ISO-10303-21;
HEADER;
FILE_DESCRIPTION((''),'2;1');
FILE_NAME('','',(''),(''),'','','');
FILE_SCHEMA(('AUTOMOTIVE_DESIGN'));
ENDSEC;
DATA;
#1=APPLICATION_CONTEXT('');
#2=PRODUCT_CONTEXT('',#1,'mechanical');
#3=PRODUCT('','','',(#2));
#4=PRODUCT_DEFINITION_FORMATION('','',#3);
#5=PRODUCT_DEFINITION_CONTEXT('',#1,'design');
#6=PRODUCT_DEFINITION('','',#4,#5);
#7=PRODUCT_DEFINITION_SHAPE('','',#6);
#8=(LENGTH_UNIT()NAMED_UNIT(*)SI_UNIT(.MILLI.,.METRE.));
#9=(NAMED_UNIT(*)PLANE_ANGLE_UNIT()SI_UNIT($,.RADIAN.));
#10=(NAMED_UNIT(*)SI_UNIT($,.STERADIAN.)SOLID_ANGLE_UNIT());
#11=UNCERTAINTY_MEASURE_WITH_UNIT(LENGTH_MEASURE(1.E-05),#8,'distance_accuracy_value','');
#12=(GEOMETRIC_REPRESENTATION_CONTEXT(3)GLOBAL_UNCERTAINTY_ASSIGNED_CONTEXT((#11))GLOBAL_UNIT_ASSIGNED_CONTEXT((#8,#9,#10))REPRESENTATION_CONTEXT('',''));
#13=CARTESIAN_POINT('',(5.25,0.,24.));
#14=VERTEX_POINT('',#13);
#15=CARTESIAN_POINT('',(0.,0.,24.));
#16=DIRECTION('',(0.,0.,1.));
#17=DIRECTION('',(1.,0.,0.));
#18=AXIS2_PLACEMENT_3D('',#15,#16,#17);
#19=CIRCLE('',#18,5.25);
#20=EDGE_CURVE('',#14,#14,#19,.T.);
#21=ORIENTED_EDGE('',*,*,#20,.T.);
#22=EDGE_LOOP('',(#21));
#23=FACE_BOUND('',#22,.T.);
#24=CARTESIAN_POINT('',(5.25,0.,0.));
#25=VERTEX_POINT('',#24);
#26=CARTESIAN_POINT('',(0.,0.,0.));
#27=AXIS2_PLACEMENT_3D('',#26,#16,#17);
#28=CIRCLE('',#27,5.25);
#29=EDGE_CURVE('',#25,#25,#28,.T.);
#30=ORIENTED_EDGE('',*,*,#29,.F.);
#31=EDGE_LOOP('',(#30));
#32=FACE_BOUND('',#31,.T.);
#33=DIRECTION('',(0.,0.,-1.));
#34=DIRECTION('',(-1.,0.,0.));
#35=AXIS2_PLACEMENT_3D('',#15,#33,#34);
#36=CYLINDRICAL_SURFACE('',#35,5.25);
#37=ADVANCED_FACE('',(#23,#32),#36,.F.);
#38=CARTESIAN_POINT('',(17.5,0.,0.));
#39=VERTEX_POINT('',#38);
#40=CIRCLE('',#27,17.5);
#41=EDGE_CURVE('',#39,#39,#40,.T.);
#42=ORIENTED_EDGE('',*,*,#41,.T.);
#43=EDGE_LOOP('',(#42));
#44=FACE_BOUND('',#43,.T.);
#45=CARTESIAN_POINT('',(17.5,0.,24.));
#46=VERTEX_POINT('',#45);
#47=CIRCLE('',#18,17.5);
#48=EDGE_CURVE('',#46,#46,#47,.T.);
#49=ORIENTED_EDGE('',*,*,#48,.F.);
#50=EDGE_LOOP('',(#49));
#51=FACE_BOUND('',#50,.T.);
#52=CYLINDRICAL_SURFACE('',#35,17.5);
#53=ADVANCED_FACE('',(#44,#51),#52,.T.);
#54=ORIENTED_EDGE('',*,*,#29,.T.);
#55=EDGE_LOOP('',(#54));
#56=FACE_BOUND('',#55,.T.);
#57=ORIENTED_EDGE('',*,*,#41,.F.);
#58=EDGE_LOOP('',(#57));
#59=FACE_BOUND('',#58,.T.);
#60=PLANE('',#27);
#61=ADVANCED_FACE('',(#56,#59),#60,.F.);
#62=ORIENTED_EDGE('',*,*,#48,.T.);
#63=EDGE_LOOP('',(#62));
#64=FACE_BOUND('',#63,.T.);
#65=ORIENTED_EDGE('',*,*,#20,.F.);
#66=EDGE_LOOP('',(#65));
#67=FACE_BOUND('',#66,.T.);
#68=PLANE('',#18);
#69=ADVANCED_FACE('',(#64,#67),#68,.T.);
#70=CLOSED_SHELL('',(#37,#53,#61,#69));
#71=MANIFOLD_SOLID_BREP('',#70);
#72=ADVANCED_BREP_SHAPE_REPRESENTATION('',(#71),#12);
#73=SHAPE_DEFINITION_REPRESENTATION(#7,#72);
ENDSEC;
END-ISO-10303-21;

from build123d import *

# Parameters (mm, degrees)
SKETCH_1_R      = 17.5
SKETCH_1_R_2    = 5.25
EXTRUDE_1_DEPTH = 24


with BuildPart() as part:
    # Эскиз1 → Вытянуть1 (new body)
    with BuildSketch(Plane.XY):
        Circle(SKETCH_1_R)
        Circle(SKETCH_1_R_2, mode=Mode.SUBTRACT)
    extrude(amount=EXTRUDE_1_DEPTH)


solid = part.part
